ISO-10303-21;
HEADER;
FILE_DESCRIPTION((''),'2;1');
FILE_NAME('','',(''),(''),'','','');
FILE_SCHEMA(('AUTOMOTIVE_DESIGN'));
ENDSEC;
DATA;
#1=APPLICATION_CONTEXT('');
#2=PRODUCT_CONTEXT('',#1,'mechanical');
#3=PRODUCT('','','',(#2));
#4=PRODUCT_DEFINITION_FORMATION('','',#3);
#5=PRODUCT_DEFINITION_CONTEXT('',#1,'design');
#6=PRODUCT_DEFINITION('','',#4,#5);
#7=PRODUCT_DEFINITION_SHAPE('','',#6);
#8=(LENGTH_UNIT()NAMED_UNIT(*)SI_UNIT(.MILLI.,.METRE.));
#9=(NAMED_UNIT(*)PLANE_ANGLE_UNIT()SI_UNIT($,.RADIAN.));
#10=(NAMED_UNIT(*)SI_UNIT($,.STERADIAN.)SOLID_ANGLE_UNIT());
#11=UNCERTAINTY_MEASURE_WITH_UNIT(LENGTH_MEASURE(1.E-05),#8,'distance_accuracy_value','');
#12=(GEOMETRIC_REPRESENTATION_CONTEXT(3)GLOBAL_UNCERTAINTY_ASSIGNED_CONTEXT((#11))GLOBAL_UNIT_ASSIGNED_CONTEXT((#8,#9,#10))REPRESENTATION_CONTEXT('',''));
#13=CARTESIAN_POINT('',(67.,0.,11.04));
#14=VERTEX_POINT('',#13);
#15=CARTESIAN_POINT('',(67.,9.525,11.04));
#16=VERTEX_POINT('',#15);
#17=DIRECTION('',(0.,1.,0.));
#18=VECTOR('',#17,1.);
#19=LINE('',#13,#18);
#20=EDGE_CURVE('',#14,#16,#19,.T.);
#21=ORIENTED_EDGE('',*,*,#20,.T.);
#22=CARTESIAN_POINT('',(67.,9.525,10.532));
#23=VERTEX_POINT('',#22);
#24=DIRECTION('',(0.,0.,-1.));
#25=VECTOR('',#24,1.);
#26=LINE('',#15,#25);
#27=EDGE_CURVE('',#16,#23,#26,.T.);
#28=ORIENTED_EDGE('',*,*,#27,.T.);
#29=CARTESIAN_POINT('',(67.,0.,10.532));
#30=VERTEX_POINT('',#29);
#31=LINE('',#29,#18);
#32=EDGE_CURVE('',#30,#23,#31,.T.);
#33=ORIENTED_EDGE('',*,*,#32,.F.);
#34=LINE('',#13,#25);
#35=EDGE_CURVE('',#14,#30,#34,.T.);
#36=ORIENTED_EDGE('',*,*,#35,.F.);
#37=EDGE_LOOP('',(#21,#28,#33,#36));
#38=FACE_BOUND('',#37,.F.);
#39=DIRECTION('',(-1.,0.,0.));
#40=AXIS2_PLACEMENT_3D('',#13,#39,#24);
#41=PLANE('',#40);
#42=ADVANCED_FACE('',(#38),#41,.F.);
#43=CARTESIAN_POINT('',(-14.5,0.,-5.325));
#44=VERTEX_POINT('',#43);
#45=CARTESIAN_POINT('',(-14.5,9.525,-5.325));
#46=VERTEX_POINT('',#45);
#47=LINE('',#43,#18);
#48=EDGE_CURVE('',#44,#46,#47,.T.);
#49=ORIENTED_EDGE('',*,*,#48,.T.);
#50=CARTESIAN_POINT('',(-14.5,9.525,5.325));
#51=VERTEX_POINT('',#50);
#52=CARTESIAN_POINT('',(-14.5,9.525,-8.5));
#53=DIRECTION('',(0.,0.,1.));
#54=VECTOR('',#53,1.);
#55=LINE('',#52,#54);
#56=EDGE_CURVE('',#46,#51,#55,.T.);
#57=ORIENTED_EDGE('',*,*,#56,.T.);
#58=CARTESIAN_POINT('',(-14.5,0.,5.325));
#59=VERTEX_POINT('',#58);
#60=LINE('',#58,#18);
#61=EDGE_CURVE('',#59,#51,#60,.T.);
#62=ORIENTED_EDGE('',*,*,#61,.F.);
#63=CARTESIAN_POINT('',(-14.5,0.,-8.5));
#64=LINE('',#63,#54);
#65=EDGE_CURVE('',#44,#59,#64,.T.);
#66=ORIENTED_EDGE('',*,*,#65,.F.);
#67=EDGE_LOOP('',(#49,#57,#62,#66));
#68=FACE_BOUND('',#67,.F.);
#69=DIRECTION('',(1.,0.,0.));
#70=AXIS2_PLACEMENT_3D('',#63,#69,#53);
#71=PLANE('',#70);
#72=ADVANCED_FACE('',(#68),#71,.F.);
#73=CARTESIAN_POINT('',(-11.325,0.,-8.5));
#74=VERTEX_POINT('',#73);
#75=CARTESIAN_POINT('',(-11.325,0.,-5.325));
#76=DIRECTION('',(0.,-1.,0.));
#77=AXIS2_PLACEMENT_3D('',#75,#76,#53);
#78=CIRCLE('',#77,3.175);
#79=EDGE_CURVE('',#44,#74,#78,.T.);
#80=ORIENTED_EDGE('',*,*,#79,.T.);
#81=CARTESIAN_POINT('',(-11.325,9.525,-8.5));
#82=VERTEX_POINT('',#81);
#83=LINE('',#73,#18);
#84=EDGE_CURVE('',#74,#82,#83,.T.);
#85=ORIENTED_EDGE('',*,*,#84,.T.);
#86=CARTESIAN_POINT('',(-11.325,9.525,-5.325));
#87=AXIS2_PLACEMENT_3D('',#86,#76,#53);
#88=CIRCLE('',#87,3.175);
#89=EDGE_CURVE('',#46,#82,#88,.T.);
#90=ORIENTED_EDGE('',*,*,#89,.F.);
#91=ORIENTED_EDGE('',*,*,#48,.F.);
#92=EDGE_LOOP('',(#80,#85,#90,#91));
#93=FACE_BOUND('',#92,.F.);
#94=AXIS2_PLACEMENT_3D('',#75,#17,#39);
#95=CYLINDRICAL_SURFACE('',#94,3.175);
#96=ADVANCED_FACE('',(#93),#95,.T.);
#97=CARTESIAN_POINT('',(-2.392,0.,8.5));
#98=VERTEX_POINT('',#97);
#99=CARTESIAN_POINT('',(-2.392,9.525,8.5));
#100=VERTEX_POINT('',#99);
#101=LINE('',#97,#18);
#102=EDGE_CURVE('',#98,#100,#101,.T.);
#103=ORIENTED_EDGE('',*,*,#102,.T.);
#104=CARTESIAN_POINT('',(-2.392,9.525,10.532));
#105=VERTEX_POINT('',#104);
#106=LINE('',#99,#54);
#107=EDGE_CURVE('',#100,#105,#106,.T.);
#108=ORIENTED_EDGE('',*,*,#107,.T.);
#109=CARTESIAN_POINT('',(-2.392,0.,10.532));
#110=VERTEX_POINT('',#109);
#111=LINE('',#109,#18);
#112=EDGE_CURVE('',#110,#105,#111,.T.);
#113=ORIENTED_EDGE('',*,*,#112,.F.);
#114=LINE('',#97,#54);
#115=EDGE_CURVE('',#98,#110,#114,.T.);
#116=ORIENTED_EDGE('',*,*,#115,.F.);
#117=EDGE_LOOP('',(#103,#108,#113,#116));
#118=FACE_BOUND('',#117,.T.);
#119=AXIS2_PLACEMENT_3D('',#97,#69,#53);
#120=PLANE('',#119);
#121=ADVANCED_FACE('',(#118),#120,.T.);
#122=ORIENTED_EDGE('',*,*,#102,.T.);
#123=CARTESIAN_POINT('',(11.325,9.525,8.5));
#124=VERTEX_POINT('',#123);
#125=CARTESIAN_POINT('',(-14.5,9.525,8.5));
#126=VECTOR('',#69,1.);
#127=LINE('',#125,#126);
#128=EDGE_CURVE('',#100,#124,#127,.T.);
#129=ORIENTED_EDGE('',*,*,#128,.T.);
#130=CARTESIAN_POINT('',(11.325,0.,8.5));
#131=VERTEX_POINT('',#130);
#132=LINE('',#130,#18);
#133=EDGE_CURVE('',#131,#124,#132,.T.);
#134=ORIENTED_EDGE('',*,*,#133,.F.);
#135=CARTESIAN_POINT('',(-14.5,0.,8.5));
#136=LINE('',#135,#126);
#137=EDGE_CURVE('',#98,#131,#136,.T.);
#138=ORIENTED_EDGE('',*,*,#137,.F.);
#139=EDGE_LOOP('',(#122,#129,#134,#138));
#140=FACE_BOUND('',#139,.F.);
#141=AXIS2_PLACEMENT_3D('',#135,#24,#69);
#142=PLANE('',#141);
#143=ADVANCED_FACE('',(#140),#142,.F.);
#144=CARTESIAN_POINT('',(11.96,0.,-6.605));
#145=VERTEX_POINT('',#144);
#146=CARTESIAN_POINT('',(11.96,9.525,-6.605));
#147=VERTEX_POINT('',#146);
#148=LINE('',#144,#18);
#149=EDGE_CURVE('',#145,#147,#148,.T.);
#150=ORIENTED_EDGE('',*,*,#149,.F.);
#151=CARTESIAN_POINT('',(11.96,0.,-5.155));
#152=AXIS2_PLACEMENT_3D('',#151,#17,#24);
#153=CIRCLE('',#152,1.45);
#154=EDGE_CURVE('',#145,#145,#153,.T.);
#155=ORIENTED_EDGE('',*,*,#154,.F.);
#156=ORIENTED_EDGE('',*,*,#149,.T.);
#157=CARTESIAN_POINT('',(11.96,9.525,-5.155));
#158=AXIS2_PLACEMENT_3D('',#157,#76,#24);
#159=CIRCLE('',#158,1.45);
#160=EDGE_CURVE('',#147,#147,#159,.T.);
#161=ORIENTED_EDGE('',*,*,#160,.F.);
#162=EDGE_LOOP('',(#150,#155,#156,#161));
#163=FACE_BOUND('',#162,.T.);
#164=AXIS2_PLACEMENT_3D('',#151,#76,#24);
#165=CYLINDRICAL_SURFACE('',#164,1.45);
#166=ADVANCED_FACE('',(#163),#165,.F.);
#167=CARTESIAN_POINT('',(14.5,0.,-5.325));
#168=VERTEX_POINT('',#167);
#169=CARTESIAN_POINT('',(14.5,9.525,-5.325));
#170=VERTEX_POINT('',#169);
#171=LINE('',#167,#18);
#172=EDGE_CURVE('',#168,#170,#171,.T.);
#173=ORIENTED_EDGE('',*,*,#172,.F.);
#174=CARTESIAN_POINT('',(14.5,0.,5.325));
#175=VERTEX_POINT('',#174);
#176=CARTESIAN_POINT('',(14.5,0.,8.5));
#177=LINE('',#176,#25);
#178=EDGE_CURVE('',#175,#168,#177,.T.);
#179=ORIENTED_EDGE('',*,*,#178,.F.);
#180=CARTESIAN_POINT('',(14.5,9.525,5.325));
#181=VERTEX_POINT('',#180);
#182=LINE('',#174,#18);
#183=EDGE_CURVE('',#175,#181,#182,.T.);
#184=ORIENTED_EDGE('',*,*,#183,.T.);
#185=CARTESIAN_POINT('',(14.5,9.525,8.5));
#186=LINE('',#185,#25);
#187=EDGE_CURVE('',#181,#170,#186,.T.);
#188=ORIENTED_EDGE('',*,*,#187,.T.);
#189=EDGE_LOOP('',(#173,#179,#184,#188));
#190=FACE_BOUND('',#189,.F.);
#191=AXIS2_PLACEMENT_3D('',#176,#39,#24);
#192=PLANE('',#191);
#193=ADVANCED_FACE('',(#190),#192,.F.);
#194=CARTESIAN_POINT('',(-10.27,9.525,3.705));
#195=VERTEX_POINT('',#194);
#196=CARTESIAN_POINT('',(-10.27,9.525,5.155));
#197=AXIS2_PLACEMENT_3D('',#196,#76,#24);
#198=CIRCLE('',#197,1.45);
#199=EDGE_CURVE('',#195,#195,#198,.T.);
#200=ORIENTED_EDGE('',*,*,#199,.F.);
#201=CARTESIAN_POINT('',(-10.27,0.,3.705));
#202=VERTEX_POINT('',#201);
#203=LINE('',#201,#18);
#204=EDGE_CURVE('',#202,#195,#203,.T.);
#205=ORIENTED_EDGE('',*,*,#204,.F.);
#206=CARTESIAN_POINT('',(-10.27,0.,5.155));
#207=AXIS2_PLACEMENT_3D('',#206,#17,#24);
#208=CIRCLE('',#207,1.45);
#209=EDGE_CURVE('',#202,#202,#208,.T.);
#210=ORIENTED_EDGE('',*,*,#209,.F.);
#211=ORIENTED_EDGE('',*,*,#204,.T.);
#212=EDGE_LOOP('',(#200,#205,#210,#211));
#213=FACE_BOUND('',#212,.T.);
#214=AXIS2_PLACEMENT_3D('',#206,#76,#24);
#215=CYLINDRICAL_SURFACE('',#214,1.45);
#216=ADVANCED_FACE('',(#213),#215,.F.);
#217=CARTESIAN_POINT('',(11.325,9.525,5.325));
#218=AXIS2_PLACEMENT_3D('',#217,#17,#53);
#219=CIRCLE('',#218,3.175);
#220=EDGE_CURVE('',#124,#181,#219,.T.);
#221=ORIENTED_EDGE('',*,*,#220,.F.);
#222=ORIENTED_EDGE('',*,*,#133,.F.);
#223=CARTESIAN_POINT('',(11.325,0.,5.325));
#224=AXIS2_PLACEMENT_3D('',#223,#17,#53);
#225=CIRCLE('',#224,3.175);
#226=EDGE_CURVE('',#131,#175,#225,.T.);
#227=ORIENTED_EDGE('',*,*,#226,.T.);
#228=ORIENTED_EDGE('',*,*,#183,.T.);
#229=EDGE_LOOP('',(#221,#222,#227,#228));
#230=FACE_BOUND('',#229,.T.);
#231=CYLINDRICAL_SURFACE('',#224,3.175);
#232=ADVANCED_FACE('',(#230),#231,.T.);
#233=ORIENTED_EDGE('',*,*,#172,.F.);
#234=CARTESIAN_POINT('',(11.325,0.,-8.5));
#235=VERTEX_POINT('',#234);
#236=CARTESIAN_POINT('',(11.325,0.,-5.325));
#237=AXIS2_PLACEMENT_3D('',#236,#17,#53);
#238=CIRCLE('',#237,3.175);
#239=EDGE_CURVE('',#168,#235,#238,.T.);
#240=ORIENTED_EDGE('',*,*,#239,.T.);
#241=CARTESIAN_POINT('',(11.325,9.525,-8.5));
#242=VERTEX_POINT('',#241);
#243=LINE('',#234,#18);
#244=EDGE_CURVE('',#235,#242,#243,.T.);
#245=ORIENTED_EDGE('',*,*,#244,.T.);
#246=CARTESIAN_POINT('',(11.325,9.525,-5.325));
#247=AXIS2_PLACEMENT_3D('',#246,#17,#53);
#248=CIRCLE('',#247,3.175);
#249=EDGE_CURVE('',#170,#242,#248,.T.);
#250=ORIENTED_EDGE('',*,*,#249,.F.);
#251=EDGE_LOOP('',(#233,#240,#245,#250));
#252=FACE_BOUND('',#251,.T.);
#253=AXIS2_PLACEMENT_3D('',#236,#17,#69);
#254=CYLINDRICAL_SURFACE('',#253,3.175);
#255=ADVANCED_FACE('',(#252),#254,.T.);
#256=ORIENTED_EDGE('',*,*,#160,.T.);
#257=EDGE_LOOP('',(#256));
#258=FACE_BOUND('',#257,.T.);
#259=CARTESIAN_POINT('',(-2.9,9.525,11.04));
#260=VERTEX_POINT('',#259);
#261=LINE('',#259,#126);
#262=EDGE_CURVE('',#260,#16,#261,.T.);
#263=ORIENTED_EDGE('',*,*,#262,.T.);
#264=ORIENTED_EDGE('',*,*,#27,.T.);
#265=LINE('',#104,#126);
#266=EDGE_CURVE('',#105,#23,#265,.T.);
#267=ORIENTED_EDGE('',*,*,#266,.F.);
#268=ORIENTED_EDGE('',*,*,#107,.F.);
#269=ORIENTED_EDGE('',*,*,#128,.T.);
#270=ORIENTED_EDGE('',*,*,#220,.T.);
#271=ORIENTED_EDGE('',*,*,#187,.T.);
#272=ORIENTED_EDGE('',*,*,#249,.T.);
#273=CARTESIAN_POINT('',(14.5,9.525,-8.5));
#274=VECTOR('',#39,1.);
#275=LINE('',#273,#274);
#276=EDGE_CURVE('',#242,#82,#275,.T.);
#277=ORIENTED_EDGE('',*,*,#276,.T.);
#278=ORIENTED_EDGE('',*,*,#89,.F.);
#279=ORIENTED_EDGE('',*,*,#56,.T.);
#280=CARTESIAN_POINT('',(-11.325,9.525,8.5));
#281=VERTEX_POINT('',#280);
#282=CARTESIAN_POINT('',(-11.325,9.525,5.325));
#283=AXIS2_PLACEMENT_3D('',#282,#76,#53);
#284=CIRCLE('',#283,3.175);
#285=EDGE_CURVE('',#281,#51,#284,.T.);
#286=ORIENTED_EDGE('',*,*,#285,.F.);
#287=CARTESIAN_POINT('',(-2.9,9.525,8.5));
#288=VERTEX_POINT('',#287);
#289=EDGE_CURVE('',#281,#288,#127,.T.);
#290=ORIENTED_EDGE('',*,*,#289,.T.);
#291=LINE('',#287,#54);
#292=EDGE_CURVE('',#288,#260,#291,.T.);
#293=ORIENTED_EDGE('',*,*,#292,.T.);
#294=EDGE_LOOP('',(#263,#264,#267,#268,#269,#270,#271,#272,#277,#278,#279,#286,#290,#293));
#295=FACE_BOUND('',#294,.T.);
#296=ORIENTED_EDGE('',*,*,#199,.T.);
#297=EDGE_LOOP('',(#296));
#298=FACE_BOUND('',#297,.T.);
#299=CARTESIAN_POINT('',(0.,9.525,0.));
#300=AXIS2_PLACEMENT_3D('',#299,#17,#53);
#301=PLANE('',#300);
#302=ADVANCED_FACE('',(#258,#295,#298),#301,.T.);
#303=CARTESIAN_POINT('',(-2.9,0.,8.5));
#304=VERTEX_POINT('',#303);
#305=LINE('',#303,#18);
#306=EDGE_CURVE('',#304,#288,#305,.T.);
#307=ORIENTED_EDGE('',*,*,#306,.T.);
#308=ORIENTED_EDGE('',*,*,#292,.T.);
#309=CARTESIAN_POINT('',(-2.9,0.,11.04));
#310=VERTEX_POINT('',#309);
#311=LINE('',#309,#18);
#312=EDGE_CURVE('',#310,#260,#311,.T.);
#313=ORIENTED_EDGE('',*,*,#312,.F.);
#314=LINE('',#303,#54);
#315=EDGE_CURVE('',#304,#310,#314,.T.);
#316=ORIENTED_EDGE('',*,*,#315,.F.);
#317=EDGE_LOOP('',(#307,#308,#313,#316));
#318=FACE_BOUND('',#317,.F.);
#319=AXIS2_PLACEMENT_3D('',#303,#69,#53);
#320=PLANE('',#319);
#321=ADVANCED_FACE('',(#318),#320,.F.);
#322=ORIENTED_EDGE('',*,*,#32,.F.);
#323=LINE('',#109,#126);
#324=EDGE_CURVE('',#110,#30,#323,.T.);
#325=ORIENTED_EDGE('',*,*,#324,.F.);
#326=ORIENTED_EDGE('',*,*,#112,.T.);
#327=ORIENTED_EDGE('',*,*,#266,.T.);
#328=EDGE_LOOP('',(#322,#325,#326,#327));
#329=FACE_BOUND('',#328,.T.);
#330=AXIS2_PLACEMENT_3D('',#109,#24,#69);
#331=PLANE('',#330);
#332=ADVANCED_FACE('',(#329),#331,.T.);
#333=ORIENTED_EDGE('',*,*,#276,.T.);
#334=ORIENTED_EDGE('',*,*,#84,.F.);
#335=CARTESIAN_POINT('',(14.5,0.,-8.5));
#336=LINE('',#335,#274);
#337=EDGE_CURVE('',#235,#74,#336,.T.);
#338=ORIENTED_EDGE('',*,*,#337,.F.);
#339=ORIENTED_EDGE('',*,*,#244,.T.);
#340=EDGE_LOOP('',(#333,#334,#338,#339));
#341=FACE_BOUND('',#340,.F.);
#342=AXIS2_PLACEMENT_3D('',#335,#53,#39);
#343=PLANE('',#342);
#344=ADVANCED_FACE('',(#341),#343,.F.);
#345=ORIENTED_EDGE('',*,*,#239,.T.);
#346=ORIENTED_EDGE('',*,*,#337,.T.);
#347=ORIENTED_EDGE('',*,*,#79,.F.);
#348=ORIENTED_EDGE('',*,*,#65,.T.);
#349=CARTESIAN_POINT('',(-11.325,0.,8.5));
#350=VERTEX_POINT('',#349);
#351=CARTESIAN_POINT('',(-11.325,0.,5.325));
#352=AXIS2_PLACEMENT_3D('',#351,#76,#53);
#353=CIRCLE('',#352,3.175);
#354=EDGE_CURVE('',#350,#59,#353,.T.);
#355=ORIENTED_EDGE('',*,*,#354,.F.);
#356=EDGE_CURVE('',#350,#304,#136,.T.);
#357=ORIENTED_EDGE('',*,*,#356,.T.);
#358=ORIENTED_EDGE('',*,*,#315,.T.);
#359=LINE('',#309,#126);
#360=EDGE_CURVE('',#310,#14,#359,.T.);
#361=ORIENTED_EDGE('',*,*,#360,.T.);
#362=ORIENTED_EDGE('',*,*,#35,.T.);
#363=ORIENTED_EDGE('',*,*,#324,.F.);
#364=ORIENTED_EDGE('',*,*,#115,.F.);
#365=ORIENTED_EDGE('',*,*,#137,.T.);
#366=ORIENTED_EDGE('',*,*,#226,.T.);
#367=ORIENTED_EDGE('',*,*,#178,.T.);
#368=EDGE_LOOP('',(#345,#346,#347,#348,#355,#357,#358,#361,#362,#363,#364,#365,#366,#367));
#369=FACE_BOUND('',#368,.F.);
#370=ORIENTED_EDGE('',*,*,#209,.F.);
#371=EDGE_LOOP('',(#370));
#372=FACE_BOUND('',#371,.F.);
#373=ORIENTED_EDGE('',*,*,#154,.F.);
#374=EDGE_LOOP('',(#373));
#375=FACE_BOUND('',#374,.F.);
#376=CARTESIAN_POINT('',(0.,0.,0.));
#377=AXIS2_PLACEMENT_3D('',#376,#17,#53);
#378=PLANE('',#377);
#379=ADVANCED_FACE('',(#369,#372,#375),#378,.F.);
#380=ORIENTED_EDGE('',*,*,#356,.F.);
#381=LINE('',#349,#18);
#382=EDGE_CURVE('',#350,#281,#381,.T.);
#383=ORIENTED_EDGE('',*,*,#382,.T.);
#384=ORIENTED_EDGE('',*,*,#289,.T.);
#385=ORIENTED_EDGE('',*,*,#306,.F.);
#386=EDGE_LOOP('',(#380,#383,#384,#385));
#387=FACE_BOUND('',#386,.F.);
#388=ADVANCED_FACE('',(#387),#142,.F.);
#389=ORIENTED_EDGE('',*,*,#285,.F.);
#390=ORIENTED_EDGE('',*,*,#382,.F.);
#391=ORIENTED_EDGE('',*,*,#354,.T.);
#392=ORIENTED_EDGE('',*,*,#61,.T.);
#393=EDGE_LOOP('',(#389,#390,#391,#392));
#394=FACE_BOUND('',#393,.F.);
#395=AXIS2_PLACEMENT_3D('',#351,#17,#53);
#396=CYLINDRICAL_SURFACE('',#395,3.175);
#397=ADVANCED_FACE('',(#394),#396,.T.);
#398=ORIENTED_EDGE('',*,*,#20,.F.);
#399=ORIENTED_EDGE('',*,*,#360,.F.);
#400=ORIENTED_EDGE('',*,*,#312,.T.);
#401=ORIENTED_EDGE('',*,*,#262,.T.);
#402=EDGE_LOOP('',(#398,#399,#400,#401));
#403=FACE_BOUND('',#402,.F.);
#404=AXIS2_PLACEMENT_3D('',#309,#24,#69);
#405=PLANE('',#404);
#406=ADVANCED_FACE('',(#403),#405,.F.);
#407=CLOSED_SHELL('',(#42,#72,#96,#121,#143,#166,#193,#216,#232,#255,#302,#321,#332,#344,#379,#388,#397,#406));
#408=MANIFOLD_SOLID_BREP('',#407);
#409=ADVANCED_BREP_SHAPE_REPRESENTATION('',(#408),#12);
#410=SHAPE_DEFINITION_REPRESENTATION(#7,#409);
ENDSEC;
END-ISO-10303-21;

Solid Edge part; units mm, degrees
sketch "Sketch1" plane through (0, 0, 0) normal (0, -1, 0) x (1, 0, 0)
  line L0 (-14.5, 8.5) -> (14.5, 8.5)
  line L1 (14.5, 8.5) -> (14.5, -8.5)
  line L2 (14.5, -8.5) -> (-14.5, -8.5)
  line L3 (-14.5, -8.5) -> (-14.5, 8.5)
  dimension "D1" = 17
  dimension "D2" = 29
extrude "Protrusion1" add sketch "Sketch1" against normal blind 9.525
hole "Hole_1" at (11.96, 0, -5.155) direction (0, 1, 0) diameter 2.9 end up to next
hole "Hole1" at (-10.27, 0, 5.155) direction (0, 1, 0) diameter 2.9 end up to next
fillet "Round_1" radius 3.175 4 edges at (14.5, 4.7625, -8.5) (-14.5, 4.7625, -8.5) (-14.5, 4.7625, 8.5) (14.5, 4.7625, 8.5)
sketch "Sketch2" plane through (0, 0, 0) normal (0, -1, 0) x (1, 0, 0)
  line L0 (-2.9, 8.5) -> (-2.9, 11.04)
  line L1 (-2.9, 11.04) -> (67, 11.04)
  line L2 (67, 11.04) -> (67, 10.532)
  line L3 (-2.392, 10.532) -> (67, 10.532)
  line L4 (-2.392, 8.5) -> (-2.392, 10.532)
  dimension "D1" = 2.54
  dimension "D2" = 0.508
  dimension "D3" = 11.6
  dimension "D4" = 69.9
extrude "Protrusion2" add sketch "Sketch2" against normal up to vertex (9.525 mm away) material side at (-2.85, 0, 9.77)
